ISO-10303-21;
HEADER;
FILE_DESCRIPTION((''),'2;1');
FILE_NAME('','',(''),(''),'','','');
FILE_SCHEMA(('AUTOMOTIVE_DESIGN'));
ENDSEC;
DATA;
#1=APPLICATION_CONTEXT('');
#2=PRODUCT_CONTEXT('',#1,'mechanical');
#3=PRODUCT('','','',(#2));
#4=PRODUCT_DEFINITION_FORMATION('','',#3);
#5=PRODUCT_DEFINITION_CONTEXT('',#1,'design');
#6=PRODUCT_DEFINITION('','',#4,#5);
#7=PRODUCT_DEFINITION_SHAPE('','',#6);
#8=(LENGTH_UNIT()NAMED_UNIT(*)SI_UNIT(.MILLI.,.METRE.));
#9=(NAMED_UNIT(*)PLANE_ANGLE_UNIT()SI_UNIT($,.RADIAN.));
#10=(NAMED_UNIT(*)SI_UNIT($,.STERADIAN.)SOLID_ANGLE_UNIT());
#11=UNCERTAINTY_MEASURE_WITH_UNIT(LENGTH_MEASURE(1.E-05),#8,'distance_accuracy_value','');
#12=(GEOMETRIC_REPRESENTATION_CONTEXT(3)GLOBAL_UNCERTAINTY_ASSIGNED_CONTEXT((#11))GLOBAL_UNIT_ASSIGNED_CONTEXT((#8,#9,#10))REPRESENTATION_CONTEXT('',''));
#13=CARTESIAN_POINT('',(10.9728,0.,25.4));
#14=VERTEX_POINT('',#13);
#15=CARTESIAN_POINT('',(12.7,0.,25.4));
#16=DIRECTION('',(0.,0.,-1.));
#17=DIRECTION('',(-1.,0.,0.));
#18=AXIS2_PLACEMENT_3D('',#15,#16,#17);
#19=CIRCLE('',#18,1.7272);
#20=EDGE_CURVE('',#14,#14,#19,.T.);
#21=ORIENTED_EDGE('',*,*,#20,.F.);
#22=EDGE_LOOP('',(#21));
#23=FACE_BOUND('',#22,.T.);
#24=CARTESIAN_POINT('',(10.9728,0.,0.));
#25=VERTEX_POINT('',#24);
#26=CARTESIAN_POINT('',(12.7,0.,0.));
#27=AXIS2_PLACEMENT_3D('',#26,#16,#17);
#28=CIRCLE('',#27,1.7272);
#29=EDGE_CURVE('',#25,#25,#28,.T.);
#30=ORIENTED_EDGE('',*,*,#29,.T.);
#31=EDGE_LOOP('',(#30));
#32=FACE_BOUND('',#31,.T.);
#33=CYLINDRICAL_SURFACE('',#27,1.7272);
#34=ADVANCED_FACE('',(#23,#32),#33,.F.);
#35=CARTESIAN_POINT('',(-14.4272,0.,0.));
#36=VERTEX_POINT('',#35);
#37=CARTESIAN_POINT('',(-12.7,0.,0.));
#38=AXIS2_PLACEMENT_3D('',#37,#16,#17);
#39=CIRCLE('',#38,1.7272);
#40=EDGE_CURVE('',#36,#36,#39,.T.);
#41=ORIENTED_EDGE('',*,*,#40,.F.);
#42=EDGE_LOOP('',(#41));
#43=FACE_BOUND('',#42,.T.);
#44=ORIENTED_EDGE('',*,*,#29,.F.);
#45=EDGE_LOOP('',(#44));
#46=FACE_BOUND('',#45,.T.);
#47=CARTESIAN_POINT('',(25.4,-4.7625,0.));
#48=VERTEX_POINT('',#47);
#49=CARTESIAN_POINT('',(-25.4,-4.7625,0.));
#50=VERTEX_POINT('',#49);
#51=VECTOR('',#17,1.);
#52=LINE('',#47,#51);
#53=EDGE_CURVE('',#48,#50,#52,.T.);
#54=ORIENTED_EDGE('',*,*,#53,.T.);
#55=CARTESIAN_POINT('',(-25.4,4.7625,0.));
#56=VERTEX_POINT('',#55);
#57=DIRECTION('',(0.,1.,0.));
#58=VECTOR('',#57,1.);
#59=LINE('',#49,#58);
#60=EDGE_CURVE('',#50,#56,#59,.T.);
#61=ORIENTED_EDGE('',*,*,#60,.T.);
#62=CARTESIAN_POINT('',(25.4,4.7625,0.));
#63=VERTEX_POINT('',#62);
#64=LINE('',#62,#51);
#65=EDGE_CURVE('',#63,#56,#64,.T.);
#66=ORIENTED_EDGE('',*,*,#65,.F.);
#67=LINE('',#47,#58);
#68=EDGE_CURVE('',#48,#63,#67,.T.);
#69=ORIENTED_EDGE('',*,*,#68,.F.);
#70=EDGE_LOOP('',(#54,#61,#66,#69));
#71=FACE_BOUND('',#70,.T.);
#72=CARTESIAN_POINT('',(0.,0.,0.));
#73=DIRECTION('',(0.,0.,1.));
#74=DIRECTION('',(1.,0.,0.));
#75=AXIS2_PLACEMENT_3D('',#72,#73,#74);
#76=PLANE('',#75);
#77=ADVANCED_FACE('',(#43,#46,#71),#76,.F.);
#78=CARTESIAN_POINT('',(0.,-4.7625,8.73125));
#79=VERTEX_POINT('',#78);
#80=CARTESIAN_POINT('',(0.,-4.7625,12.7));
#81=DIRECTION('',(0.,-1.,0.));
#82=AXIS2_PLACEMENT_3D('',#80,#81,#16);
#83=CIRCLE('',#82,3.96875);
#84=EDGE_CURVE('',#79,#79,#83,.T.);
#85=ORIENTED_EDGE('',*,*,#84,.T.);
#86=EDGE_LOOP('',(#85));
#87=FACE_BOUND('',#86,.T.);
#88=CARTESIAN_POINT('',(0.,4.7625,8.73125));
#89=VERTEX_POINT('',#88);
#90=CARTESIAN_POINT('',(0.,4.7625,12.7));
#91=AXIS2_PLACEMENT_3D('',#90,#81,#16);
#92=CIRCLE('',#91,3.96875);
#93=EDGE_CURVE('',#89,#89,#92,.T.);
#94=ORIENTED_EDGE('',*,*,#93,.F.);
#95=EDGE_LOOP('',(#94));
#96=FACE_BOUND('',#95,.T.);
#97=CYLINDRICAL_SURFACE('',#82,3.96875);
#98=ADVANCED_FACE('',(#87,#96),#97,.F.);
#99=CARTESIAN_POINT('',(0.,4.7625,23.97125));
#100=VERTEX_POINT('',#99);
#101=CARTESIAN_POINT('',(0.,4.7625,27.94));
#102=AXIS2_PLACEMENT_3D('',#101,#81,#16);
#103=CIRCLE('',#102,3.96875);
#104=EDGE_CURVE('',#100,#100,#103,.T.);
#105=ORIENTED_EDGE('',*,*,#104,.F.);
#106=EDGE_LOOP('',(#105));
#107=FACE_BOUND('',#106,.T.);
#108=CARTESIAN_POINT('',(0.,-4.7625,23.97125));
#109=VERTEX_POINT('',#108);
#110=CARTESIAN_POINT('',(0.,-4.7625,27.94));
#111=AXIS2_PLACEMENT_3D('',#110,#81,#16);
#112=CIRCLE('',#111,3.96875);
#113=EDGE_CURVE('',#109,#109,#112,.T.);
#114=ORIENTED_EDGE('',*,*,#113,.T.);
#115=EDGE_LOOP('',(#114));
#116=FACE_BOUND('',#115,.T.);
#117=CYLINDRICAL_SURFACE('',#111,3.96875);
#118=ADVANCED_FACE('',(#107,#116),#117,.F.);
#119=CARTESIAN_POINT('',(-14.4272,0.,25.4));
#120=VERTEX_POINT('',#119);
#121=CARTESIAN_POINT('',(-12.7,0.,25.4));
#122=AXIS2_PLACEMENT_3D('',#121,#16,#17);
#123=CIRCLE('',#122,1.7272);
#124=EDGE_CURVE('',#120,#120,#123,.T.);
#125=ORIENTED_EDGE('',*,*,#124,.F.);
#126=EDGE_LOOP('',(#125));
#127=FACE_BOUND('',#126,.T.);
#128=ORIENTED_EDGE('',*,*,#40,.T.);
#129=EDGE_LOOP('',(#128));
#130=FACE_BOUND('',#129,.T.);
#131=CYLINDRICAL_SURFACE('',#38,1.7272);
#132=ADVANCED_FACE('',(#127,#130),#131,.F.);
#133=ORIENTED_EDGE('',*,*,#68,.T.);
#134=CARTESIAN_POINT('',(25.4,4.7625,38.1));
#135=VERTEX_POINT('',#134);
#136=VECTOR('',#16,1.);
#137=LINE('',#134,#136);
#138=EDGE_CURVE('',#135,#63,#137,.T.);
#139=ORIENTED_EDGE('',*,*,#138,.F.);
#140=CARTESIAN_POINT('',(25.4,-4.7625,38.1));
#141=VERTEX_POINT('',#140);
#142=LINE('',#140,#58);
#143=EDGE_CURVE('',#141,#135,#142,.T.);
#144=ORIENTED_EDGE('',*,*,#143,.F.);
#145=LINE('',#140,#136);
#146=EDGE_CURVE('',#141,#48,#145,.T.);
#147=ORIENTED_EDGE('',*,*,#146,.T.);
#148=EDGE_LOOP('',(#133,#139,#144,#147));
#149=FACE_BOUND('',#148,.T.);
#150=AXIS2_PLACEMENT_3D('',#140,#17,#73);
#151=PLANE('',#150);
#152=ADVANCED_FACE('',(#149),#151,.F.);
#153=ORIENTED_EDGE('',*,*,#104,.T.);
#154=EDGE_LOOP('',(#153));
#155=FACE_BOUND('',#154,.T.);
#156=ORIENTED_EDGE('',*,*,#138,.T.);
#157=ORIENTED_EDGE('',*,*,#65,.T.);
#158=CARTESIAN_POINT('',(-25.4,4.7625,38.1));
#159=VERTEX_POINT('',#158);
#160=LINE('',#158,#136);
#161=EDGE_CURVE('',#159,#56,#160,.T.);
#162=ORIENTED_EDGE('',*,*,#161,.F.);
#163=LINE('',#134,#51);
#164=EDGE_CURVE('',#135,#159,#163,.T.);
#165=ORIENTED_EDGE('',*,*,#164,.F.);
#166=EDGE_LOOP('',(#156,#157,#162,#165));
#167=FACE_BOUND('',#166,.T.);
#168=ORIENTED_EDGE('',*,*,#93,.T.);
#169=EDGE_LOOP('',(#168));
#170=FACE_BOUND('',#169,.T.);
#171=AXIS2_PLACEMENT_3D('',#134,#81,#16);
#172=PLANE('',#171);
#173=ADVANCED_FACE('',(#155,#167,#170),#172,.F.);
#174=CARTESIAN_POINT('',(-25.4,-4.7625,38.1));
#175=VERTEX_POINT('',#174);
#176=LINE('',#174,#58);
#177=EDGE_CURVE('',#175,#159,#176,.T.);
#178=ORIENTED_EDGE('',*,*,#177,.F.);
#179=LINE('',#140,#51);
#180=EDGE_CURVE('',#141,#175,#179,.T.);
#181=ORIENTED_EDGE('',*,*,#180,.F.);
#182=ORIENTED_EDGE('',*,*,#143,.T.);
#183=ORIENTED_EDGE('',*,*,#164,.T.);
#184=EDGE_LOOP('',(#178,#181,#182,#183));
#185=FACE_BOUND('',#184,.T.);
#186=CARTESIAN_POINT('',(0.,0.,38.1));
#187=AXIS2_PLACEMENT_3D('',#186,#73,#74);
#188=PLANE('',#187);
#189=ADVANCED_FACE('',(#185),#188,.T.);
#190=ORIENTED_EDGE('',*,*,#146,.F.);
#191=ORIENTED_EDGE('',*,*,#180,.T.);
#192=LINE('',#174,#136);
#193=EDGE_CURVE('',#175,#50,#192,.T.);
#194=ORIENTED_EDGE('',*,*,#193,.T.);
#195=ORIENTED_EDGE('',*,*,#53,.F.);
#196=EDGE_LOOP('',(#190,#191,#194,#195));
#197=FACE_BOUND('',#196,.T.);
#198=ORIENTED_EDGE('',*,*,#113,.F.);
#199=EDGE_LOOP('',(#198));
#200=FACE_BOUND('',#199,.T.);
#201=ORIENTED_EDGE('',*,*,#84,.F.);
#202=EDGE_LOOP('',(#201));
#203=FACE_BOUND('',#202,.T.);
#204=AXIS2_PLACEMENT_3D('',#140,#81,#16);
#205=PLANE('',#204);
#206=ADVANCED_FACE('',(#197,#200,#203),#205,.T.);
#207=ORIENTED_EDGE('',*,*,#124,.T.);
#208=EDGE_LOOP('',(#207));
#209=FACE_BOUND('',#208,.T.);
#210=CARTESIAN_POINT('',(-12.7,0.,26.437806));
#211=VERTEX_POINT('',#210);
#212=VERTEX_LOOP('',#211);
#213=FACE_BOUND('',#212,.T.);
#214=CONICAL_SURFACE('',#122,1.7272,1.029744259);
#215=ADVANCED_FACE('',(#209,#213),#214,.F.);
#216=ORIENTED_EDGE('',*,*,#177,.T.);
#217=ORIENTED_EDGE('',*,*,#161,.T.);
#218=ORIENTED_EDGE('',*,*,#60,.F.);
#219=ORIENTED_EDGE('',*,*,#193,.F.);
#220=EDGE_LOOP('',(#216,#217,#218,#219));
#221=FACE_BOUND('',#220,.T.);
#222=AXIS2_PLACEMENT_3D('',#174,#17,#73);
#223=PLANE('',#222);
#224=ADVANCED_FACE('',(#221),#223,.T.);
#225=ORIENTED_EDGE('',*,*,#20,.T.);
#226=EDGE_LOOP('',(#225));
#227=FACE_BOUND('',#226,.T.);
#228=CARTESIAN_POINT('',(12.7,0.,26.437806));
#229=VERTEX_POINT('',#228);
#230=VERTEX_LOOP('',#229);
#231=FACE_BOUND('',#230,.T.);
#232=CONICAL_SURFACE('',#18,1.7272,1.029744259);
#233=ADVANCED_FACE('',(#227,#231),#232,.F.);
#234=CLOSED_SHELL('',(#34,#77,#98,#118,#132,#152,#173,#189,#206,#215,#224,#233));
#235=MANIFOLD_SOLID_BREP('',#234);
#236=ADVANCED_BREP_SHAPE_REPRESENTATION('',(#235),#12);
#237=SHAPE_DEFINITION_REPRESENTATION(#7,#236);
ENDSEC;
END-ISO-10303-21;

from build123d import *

# Parameters (mm, degrees)
SKETCH1_W                      = 50.8
SKETCH1_H                      = 9.525
BOSS_EXTRUDE1_DEPTH            = 38.1
F_5_16_0_3125_DIAMETER_HOLE1_D = 7.9375
F_8_32_TAPPED_HOLE1_D          = 3.4544
F_8_32_TAPPED_HOLE1_DEPTH      = 25.4
F_8_32_TAPPED_HOLE1_TIP        = 1.037806461


with BuildPart() as part:
    # Sketch1 → Boss-Extrude1 (new body)
    with BuildSketch(Plane.XY):
        Rectangle(SKETCH1_W, SKETCH1_H)
    extrude(amount=BOSS_EXTRUDE1_DEPTH)

    # 5/16 (0.3125) Diameter Hole1 (through all)
    with Locations(Plane(origin=(0, -4.7625, 0), x_dir=(-1, 0, 0), z_dir=(0, -1, 0))):
        with Locations((0, -12.7), (0, -27.94)):
            Hole(F_5_16_0_3125_DIAMETER_HOLE1_D / 2)

    # #8-32 Tapped Hole1
    with Locations(Plane(origin=(0, 0, 0), x_dir=(-1, 0, 0), z_dir=(0, 0, -1))):
        with Locations((-12.7, 0), (12.7, 0)):
            Hole(F_8_32_TAPPED_HOLE1_D / 2, depth=F_8_32_TAPPED_HOLE1_DEPTH)
            with Locations((0, 0, -(F_8_32_TAPPED_HOLE1_DEPTH + F_8_32_TAPPED_HOLE1_TIP / 2))):  # 118° drill point
                Cone(0, F_8_32_TAPPED_HOLE1_D / 2, F_8_32_TAPPED_HOLE1_TIP, mode=Mode.SUBTRACT)


solid = part.part
